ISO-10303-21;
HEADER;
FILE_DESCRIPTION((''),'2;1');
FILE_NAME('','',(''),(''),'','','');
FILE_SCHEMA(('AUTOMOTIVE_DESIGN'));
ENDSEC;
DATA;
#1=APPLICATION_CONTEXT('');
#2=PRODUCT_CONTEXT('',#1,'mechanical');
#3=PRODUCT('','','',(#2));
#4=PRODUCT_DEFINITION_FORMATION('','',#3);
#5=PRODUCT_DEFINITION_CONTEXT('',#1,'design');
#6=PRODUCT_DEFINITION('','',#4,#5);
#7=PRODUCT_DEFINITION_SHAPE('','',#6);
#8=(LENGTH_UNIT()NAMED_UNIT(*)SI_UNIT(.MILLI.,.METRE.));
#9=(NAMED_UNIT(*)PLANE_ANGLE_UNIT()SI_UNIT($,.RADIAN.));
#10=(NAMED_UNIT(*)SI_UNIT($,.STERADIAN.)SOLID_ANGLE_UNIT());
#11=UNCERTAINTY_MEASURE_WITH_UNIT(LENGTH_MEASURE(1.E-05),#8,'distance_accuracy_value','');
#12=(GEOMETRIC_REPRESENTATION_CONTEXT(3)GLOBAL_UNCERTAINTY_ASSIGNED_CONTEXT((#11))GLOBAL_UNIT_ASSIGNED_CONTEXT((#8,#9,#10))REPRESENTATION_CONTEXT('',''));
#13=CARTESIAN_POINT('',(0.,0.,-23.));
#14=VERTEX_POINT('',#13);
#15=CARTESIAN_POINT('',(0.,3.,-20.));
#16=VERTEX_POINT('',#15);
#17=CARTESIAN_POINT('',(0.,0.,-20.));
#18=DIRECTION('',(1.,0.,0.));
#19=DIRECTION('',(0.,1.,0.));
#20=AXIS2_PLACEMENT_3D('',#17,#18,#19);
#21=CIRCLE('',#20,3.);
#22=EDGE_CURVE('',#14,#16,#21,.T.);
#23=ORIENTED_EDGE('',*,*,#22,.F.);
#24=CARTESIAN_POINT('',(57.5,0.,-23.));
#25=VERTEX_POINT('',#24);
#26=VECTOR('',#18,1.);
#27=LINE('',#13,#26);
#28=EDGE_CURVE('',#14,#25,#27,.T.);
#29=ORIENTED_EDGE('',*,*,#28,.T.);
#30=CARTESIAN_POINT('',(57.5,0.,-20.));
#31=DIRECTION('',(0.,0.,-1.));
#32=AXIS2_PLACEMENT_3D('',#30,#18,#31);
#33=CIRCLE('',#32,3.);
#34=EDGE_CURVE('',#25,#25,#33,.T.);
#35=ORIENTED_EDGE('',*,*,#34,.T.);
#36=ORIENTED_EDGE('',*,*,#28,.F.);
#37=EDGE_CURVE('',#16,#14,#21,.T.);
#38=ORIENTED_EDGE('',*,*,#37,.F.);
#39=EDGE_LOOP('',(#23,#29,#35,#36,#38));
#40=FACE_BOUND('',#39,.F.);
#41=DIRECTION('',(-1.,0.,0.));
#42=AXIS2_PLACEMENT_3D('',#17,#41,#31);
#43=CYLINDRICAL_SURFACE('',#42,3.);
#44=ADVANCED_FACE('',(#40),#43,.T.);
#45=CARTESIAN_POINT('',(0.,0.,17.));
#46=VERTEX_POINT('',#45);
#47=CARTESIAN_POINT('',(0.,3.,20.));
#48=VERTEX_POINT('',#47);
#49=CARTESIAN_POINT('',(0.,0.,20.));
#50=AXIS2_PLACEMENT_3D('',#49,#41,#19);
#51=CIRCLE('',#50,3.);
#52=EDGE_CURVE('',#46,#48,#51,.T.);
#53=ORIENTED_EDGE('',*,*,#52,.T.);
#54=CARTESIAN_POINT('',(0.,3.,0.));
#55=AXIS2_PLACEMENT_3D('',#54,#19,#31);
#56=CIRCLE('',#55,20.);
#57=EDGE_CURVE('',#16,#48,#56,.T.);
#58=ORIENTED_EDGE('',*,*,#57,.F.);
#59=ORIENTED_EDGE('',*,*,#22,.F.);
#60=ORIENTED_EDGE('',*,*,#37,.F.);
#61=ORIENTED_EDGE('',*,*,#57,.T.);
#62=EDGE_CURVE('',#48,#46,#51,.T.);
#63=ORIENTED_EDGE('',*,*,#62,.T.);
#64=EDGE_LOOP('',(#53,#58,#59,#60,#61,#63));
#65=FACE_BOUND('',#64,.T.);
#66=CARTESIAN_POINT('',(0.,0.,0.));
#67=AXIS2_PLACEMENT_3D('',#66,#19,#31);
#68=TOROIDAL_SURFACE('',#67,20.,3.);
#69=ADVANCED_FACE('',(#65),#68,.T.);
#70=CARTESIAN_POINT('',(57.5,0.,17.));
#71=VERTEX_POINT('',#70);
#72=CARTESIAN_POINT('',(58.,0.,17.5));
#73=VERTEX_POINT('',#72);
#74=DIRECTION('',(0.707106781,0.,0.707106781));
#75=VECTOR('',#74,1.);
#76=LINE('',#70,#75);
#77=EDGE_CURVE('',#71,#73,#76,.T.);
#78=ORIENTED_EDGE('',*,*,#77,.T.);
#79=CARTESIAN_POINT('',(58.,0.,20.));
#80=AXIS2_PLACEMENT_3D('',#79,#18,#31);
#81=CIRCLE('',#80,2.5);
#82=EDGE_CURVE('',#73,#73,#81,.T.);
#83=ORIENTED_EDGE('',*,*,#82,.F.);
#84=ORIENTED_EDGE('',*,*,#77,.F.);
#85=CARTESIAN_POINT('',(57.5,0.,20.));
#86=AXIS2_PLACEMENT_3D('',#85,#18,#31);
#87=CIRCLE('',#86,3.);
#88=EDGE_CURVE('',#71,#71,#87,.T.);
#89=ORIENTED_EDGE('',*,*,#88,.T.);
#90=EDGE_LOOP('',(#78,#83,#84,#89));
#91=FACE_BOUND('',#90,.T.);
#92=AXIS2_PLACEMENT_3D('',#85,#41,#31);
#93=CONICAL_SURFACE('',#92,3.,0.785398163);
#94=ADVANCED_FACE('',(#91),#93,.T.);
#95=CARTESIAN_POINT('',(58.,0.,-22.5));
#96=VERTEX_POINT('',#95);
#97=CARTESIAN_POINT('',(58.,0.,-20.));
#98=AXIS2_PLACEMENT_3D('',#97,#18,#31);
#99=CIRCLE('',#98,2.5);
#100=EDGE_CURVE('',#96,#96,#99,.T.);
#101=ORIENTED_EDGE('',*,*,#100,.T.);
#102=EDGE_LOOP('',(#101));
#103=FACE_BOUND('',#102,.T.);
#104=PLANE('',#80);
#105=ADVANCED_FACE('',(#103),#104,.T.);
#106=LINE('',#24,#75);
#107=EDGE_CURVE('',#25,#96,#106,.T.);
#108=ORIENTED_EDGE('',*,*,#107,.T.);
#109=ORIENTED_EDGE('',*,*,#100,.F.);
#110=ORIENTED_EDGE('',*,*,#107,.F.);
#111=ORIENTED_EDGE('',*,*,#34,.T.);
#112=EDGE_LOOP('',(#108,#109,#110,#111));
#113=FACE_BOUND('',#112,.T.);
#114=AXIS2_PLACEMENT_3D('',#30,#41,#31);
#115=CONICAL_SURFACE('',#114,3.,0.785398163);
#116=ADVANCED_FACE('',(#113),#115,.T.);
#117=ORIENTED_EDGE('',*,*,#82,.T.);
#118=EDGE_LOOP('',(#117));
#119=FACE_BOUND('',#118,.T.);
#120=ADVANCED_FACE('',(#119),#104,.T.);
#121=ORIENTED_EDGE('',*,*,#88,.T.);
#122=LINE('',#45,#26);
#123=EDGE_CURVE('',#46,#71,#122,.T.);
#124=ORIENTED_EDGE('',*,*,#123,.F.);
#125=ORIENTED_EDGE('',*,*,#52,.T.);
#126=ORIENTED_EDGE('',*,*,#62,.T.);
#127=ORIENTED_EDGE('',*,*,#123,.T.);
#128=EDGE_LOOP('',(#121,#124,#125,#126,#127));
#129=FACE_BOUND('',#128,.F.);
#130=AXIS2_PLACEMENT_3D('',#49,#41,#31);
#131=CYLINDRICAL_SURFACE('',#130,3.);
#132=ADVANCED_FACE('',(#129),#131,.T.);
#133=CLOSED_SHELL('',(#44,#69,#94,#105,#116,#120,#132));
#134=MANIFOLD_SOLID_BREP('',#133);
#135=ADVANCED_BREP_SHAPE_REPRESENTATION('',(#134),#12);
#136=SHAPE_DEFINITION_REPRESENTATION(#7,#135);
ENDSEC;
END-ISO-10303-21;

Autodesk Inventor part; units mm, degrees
ref_plane "YZ Plane" through (0, 0, 0) normal (1, 0, 0) x (0, 1, 0)
ref_plane "XZ Plane" through (0, 0, 0) normal (0, 1, 0) x (-1, 0, 0)
ref_plane "XY Plane" through (0, 0, 0) normal (0, 0, 1) x (1, 0, 0)
sketch "Esboço1" plane through (0, 0, 0) normal (1, 0, 0) x (0, 1, 0)
  line L0 (0, 0) -> (15, 0)
  circle A0 centre (0, -20) radius 3
revolve "Revolução1" add sketch "Esboço1" angle 180 about axis through (0, 0, 0) along (0, 1, 0)
sketch "Esboço2" plane through (0, 0, 20) normal (1, 0, 0) x (0, 0, -1)
  circle A0 centre (0, 0) radius 3
  circle A1 centre (40, 0) radius 3
  point P0 (20, 0)
extrude "Extrusão1" add sketch "Esboço2" along normal blind 58
chamfer "Chanfro1" distance 0.5 angle 45 2 edges at (58, 0, -17) (58, 0, 23)
sketch "Esboço3" plane through (0, 0, 0) normal (0, 1, 0) x (-1, 0, 0)
  point P0 (0, 0)
thread "Rosca1" size "M6x1" class "6g" standard "ANSI Metric M Profile" length 35 offset 23
thread "Rosca2" size "M6x1" class "6g" standard "ANSI Metric M Profile" length 35
properties part number "parafuso u abraçadeira" material "Aço inoxidável"
